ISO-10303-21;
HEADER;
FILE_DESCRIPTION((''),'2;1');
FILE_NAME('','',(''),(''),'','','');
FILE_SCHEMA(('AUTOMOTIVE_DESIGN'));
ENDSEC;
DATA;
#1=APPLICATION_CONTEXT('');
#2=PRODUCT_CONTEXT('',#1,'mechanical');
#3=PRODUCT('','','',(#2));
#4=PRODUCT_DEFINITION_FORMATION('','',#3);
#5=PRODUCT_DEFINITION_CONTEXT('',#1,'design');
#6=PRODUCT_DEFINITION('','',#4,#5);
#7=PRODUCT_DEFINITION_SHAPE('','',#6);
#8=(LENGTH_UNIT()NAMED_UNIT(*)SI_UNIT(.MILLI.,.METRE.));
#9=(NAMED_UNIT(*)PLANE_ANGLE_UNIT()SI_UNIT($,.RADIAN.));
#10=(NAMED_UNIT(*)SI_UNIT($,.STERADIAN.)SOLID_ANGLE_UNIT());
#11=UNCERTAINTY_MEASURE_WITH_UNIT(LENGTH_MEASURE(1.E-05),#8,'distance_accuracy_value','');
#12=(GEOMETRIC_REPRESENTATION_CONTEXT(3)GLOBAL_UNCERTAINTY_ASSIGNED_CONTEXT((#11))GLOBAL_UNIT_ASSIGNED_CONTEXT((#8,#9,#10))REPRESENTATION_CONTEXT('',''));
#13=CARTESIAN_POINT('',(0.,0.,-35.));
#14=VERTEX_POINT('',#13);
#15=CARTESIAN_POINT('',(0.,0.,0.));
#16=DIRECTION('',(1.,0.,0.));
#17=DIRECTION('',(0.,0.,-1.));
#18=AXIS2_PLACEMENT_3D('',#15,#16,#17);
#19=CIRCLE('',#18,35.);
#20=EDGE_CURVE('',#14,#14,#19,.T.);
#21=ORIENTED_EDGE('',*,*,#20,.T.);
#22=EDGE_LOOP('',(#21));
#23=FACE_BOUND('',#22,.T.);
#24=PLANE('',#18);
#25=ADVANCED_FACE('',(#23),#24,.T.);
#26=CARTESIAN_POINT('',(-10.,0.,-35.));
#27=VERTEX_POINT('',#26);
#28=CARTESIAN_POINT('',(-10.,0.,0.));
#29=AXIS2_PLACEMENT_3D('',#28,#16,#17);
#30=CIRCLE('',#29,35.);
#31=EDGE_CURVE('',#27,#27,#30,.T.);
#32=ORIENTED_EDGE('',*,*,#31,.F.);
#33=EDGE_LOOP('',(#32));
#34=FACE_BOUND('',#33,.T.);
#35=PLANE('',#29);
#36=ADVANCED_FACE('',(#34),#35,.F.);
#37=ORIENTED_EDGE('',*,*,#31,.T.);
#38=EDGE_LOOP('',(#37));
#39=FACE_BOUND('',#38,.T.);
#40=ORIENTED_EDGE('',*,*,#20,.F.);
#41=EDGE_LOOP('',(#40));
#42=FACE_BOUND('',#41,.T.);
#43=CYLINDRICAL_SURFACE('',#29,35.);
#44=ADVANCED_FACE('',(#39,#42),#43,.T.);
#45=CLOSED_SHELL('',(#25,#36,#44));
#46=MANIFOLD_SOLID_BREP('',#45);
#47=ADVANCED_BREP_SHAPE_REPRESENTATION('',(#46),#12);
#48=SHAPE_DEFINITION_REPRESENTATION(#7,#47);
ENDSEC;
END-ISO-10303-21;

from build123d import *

# Parameters (mm, degrees)
SKETCH1_R           = 35
BOSS_EXTRUDE1_DEPTH = 10


with BuildPart() as part:
    # Sketch1 → Boss-Extrude1 (new body)
    with BuildSketch(Plane(origin=(0, 0, 0), x_dir=(0, 0, -1), z_dir=(1, 0, 0))):
        Circle(SKETCH1_R)
    extrude(amount=-BOSS_EXTRUDE1_DEPTH)


solid = part.part
